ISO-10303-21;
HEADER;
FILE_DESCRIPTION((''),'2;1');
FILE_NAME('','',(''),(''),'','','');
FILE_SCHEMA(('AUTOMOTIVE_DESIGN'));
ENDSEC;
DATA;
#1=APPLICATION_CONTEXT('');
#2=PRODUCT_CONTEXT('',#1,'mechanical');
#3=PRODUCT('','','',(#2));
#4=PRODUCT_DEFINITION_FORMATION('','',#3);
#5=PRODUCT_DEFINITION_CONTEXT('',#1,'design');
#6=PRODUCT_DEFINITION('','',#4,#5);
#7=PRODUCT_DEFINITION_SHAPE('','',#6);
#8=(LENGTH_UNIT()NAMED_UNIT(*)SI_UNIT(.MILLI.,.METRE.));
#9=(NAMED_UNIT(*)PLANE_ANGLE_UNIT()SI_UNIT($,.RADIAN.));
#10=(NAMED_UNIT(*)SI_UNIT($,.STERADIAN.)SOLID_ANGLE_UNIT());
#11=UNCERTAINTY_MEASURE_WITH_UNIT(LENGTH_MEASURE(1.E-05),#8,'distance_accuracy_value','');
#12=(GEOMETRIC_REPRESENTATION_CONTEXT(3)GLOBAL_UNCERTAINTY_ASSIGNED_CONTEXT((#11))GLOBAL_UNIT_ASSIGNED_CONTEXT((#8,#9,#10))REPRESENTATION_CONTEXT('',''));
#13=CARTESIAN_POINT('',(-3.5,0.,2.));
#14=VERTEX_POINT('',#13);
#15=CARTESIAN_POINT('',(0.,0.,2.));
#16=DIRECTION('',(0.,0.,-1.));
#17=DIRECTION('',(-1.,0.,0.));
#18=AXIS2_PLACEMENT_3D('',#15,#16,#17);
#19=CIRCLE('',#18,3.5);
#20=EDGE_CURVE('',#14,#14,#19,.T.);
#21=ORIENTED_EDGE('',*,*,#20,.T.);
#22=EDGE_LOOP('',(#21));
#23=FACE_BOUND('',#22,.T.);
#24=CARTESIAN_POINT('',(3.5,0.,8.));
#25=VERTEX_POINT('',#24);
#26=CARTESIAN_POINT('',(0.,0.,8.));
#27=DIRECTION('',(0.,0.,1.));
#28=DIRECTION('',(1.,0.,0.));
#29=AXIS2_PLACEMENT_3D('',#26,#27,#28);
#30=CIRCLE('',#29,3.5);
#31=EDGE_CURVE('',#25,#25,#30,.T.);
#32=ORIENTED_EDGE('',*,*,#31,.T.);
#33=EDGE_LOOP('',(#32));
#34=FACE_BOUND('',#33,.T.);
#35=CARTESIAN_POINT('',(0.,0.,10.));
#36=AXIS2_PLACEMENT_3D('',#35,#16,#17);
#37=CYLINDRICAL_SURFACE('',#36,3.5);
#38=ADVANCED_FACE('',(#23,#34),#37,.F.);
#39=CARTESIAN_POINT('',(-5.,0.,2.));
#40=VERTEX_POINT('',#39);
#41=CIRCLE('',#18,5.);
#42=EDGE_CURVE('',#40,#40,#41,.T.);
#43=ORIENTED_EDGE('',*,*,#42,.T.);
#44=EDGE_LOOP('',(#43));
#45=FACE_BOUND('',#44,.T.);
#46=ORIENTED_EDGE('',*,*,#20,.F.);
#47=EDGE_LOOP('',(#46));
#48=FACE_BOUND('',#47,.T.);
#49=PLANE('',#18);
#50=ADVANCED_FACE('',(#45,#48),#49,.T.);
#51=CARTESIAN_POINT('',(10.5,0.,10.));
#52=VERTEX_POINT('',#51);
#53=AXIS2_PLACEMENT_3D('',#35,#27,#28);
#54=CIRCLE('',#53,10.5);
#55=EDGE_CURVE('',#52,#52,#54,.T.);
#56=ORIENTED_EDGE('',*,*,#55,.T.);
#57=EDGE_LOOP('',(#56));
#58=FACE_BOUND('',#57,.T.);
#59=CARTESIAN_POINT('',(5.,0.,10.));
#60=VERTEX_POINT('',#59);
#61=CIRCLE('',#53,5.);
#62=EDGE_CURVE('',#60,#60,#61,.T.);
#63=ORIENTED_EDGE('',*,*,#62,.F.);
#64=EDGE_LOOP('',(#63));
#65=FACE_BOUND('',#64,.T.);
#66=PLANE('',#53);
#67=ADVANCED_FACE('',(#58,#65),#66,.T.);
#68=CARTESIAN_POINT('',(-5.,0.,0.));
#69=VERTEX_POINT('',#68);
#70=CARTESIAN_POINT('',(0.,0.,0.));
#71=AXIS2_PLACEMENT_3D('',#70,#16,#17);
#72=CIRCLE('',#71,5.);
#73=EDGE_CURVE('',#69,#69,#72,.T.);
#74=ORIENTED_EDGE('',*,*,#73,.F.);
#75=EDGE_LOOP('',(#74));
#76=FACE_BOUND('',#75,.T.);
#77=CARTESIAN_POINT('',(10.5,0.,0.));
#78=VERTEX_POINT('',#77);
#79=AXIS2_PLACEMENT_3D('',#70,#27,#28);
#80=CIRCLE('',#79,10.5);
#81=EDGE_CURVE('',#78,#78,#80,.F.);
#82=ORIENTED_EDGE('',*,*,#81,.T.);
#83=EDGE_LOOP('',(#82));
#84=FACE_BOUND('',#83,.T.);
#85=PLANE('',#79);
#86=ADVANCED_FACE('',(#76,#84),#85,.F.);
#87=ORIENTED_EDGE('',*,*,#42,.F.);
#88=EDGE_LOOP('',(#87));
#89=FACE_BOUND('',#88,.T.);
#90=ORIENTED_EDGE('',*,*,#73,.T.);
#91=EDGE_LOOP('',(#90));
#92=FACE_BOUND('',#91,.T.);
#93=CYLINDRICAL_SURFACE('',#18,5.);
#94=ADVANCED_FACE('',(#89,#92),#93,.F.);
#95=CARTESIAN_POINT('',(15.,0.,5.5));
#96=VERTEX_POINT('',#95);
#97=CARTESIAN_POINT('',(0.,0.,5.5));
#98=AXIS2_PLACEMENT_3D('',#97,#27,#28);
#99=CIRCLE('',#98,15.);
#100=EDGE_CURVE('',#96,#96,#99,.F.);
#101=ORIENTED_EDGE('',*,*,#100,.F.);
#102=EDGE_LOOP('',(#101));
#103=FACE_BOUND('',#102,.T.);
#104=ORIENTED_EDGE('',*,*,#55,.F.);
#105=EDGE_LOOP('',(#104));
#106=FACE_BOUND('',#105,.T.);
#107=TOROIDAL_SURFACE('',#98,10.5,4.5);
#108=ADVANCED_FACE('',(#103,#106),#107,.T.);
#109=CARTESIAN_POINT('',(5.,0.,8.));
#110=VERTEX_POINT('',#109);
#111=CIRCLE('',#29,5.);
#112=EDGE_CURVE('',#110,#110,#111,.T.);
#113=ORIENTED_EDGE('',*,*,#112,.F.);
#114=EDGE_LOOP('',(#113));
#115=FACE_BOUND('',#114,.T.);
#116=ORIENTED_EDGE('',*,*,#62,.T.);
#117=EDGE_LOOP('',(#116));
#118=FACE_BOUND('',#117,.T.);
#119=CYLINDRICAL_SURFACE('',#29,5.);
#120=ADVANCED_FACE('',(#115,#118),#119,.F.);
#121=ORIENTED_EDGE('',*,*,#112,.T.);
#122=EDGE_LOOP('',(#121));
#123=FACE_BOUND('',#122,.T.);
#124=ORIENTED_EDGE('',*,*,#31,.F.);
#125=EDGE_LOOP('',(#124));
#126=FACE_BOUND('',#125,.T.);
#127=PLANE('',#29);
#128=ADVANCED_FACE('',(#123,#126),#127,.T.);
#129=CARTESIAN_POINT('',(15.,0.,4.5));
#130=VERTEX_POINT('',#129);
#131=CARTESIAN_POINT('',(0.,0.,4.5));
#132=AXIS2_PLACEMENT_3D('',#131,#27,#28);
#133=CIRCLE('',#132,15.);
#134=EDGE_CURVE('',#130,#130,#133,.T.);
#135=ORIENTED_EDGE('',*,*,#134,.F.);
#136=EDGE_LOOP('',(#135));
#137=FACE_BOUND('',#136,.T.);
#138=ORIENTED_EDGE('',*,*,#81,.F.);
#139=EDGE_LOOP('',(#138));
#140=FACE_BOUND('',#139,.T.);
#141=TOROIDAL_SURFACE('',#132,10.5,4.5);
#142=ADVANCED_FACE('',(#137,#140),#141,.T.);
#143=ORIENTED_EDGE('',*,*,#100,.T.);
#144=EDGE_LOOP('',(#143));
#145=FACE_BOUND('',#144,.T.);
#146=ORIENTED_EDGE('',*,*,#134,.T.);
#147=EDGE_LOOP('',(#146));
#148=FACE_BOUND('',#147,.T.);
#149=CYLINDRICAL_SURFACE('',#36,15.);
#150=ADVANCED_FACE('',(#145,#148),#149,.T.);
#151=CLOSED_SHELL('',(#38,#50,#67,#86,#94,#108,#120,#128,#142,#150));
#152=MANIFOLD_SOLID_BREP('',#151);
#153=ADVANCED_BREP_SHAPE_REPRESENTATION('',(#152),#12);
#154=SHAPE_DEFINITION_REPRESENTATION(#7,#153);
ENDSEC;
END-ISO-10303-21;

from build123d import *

# Parameters (mm, degrees)
SKETCH1_R           = 15
SKETCH1_R_2         = 3.5
BOSS_EXTRUDE1_DEPTH = 10
FILLET1_R           = 4.5
SKETCH2_R           = 5
CUT_EXTRUDE1_DEPTH  = 2
CUT_EXTRUDE2_START  = -2
SKETCH5_R           = 5
CUT_EXTRUDE2_DEPTH  = 2


with BuildPart() as part:
    # Sketch1 → Boss-Extrude1 (new body)
    with BuildSketch(Plane.XY):
        Circle(SKETCH1_R)
        Circle(SKETCH1_R_2, mode=Mode.SUBTRACT)
    extrude(amount=BOSS_EXTRUDE1_DEPTH)

    # Fillet1
    fillet1_edges = [part.edges().sort_by_distance(p)[0] for p in [
        (-15, 0, 0),
        (-15, 0, 10),
    ]]
    fillet(fillet1_edges, radius=FILLET1_R)

    # Sketch2 → Cut-Extrude1 (cut)
    with BuildSketch(Plane(origin=(0, 0, 0), x_dir=(-1, 0, 0), z_dir=(0, 0, -1))):
        Circle(SKETCH2_R)
    extrude(amount=-CUT_EXTRUDE1_DEPTH, mode=Mode.SUBTRACT)

    # Sketch5 → Cut-Extrude2 (cut)
    with BuildSketch(Plane.XY.offset(10).offset(CUT_EXTRUDE2_START)):
        with Locations(Location((0, 0, 0), (0, 0, 180))):
            Circle(SKETCH5_R)
    extrude(amount=CUT_EXTRUDE2_DEPTH, mode=Mode.SUBTRACT)


solid = part.part
